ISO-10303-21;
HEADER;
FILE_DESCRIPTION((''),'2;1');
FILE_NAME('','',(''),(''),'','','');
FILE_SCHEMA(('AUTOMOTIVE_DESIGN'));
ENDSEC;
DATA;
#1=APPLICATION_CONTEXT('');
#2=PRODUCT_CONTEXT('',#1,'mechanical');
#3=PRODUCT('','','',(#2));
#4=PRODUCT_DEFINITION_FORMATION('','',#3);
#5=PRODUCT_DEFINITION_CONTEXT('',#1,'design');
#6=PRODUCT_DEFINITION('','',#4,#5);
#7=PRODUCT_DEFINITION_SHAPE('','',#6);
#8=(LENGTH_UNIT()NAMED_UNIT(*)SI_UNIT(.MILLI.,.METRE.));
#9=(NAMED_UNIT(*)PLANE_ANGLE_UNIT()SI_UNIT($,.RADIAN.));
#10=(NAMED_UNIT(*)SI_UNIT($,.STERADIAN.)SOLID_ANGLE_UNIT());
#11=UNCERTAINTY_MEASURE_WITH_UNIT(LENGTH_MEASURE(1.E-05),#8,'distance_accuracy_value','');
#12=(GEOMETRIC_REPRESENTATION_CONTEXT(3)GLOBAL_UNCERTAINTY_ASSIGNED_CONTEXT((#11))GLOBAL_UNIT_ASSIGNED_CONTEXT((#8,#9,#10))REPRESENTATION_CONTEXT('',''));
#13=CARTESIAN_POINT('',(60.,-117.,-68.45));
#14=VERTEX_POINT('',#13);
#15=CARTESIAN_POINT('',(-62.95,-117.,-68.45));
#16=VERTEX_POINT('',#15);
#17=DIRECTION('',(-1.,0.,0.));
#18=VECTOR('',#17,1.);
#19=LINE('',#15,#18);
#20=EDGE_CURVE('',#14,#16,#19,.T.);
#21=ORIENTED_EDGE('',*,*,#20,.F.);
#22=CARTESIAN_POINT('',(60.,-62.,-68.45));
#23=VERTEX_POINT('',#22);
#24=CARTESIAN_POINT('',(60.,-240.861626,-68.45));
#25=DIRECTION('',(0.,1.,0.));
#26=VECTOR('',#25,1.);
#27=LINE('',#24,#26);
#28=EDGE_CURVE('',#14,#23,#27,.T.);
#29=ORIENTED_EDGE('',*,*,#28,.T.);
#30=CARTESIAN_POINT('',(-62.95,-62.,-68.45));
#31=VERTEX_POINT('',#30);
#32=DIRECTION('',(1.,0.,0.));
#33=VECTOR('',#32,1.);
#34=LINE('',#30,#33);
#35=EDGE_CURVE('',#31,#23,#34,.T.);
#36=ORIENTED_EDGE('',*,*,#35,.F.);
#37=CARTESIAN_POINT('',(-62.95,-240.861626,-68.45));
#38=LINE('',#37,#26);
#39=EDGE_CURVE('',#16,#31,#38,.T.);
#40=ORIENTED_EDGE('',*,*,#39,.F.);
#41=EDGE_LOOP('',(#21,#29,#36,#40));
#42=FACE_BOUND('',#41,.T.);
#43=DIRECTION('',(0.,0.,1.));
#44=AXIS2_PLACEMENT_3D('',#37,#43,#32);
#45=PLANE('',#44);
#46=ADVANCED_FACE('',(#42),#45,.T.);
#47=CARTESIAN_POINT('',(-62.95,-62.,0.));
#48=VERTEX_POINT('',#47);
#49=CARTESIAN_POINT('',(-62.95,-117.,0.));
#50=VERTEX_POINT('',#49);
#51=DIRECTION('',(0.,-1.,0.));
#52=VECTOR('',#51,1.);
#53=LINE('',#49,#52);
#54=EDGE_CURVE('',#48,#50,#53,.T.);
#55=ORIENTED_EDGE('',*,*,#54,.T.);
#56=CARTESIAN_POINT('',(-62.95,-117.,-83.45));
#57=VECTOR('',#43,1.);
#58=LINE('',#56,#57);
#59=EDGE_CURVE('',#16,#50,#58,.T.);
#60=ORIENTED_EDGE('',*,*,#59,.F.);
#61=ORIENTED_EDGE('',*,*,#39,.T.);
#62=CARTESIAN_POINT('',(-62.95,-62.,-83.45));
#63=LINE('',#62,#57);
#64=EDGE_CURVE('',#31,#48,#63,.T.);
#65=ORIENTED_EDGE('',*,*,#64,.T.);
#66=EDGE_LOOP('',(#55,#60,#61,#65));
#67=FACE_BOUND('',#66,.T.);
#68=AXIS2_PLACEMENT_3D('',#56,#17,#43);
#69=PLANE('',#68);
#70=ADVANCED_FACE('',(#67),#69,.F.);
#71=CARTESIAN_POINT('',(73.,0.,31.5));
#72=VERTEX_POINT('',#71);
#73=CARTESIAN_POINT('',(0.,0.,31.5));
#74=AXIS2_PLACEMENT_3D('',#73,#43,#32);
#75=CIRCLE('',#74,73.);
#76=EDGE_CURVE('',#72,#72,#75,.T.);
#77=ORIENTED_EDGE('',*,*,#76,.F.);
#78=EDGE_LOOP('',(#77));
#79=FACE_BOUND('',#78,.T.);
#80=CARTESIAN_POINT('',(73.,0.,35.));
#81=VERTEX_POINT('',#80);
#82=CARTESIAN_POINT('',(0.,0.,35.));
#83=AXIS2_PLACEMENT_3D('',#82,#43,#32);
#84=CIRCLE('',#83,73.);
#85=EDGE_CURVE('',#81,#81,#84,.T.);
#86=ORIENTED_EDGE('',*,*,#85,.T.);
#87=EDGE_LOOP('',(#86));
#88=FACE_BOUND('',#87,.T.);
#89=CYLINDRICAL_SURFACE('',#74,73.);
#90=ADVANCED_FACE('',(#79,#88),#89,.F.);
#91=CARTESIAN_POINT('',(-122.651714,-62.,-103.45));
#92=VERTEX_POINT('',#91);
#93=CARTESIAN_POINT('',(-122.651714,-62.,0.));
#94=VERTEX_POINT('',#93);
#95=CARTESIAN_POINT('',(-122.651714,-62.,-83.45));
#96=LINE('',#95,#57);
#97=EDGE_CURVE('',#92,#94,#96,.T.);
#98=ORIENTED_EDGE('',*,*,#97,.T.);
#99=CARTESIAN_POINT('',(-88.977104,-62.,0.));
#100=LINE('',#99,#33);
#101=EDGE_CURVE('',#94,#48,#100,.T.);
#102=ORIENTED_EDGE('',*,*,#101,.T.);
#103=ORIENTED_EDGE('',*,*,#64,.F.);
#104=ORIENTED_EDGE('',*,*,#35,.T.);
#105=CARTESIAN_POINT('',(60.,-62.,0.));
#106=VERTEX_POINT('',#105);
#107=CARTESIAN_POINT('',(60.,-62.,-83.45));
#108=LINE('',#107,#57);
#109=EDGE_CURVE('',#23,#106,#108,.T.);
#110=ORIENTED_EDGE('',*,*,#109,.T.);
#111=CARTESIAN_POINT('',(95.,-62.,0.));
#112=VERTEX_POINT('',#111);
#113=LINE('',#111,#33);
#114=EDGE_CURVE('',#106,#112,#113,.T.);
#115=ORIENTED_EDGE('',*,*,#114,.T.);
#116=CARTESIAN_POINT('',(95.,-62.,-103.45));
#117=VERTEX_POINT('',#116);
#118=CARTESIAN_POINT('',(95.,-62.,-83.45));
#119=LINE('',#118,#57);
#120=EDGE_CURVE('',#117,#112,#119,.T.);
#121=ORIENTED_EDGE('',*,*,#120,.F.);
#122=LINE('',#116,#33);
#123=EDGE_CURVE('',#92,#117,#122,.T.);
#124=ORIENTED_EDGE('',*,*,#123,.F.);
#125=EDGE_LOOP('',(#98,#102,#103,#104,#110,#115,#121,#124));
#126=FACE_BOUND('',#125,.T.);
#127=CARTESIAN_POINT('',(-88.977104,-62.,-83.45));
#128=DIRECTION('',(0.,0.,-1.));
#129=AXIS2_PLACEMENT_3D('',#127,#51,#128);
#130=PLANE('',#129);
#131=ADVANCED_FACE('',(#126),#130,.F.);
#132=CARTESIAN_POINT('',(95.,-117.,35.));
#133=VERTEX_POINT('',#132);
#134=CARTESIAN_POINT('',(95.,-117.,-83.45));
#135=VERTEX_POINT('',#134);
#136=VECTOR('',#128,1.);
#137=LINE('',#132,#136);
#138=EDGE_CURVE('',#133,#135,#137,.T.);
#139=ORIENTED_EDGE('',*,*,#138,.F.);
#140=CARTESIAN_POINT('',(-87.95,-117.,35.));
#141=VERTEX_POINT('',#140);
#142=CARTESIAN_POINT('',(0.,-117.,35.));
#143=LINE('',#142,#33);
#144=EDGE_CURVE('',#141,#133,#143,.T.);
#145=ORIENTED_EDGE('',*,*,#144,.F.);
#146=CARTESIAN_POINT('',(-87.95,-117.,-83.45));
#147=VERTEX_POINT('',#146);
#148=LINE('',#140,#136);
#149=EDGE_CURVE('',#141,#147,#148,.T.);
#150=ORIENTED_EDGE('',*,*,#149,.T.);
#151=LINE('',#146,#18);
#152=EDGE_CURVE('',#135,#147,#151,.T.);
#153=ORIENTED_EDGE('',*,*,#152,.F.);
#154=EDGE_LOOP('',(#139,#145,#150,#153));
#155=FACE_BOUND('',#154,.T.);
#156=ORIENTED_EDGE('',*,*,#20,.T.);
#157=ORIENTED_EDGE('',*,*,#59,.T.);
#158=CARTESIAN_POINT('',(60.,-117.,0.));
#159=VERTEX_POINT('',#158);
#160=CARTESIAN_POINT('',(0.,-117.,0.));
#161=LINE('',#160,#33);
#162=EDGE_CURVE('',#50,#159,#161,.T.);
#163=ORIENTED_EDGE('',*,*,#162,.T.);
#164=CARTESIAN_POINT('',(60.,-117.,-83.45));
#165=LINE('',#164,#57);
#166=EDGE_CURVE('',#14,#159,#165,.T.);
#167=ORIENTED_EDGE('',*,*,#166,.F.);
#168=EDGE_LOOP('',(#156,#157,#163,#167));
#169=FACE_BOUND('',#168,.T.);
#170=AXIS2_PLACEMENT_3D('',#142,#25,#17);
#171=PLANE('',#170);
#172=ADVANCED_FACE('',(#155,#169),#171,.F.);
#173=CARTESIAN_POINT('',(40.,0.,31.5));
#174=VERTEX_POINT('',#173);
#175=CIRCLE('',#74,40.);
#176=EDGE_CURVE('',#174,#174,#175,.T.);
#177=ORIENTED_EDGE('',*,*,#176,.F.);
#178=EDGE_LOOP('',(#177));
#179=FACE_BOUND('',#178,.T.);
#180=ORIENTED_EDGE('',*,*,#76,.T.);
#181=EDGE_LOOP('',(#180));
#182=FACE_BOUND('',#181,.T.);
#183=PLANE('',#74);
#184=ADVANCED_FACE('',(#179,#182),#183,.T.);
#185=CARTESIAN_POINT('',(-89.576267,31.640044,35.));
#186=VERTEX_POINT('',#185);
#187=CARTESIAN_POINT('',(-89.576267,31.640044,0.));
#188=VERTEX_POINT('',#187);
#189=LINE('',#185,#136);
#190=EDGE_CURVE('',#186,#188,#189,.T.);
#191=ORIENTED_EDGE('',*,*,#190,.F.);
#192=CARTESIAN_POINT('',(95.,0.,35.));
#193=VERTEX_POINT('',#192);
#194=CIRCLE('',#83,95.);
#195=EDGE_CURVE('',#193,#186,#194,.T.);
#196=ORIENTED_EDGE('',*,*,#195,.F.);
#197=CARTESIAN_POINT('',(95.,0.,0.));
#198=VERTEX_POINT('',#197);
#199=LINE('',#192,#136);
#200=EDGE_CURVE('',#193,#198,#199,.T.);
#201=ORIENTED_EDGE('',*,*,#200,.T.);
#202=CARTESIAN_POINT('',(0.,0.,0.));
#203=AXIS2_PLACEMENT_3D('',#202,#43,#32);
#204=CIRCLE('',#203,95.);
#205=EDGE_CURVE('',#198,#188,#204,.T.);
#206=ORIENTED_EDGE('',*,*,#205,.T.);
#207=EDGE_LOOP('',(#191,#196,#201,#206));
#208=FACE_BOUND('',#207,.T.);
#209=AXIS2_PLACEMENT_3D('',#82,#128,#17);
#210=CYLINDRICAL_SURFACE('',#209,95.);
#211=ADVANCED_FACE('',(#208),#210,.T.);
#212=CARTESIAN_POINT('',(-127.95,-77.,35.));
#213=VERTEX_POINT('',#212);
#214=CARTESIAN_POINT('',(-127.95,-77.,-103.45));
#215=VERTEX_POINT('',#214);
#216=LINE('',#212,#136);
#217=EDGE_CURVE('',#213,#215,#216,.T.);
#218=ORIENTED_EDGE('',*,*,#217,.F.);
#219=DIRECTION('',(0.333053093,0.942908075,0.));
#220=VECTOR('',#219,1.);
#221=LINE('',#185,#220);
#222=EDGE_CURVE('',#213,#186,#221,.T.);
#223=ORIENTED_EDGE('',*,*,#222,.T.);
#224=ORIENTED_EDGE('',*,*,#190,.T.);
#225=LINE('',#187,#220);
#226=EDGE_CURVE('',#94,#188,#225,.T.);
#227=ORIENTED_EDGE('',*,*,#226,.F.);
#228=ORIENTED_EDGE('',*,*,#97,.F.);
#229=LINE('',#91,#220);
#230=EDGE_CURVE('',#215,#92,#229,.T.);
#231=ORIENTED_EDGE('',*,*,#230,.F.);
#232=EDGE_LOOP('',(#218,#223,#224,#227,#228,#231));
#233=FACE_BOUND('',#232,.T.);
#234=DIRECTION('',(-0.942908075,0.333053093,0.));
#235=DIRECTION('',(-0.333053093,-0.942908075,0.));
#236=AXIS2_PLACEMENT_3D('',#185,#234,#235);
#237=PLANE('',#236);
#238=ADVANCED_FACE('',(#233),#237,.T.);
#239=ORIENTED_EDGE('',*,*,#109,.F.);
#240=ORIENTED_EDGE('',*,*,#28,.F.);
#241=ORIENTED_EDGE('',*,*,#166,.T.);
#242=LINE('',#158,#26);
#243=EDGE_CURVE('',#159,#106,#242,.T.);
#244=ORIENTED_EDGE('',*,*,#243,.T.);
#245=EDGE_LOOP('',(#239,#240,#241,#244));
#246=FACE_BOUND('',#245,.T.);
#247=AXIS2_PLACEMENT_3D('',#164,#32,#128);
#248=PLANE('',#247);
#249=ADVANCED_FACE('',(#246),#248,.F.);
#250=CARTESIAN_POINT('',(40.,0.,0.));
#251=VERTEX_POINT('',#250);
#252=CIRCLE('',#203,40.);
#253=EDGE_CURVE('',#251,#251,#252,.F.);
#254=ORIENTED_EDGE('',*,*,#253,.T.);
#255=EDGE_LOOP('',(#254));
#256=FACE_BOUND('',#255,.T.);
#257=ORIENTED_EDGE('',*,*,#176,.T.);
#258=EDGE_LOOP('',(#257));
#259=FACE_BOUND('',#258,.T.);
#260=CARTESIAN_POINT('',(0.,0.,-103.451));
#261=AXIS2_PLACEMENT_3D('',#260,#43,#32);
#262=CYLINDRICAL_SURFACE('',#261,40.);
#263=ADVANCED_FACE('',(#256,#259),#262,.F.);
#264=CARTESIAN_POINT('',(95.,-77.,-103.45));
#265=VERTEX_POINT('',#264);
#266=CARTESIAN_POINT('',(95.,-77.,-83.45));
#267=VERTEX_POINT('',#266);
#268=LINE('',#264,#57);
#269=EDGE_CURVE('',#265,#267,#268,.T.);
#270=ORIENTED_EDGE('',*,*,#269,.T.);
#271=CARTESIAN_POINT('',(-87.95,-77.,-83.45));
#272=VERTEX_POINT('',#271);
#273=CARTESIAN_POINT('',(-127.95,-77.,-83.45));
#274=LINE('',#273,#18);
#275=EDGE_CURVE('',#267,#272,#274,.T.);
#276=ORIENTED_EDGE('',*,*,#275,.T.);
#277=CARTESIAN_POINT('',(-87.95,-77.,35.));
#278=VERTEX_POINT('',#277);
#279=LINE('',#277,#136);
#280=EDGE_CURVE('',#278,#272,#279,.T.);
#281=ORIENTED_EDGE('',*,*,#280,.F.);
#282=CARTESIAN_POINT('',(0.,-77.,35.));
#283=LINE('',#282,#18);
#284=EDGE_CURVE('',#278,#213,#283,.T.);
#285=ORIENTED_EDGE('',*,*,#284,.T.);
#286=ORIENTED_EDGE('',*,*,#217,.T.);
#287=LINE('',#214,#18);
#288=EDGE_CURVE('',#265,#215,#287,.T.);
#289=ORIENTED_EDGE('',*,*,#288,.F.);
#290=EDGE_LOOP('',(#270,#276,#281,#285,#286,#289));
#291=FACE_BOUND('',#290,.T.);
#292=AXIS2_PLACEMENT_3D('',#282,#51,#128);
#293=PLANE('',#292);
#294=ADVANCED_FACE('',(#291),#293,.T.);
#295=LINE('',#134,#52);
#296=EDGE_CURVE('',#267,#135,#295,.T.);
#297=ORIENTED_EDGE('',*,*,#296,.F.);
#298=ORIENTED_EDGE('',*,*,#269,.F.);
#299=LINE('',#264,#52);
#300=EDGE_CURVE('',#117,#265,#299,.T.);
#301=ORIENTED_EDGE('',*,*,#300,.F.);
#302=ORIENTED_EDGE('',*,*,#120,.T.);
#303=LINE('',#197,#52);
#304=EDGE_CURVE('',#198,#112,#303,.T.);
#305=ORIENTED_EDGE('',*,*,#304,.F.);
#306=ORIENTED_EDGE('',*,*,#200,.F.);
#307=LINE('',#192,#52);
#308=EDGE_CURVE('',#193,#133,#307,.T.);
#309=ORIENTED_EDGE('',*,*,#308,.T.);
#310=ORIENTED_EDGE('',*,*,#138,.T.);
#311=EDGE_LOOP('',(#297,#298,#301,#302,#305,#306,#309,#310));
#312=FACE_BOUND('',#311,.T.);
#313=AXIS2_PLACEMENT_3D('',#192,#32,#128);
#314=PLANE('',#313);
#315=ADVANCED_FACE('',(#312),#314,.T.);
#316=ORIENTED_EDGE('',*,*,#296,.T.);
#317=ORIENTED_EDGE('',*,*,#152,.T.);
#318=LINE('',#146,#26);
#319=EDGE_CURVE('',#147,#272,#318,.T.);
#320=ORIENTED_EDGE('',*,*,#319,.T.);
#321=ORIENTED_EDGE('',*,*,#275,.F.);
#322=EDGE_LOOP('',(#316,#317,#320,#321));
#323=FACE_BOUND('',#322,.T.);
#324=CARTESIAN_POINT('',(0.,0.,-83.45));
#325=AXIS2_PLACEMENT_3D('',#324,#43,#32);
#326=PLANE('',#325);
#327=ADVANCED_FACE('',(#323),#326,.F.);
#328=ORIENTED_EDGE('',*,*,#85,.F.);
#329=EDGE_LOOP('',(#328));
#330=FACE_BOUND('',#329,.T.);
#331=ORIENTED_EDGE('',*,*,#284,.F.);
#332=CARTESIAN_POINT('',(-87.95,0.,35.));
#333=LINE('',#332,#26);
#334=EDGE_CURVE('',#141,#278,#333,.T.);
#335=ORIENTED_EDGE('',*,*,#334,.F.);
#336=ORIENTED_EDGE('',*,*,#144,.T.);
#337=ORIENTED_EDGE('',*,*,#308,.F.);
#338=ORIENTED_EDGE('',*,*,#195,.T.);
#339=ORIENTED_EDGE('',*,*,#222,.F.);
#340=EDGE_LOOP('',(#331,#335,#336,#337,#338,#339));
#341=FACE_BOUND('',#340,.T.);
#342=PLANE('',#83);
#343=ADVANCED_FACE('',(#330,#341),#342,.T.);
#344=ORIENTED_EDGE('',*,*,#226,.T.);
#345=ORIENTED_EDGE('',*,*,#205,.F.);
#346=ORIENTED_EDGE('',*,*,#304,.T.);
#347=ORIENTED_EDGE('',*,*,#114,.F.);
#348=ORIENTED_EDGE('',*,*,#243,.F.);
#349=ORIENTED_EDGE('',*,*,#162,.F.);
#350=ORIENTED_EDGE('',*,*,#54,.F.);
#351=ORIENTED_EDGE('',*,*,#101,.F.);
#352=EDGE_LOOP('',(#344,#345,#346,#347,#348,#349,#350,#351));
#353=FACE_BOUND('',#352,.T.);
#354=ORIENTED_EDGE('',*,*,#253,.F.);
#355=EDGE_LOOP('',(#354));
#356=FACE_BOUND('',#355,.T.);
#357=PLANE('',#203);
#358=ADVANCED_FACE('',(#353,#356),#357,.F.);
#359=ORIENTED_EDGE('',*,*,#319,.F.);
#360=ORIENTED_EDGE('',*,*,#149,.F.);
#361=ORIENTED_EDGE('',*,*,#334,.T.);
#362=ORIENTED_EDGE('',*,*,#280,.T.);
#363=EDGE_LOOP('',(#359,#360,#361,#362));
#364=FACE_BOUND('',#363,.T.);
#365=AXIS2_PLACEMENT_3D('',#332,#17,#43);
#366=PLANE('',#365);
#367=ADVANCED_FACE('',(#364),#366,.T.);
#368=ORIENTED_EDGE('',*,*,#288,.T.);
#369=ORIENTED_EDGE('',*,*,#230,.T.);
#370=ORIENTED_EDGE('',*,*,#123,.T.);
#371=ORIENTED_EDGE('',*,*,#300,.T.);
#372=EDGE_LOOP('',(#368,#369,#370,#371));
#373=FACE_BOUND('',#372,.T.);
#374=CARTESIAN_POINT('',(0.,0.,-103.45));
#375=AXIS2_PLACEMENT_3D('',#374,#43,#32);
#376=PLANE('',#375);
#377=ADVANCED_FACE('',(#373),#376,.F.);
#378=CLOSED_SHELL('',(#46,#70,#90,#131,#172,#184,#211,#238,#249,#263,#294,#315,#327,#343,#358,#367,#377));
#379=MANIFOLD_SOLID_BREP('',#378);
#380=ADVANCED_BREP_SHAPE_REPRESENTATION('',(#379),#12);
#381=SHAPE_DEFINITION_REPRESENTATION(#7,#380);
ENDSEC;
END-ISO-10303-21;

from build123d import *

# Parameters (mm, degrees)
BOSS_EXTRUDE1_DEPTH = 35
SKETCH2_W           = 35
SKETCH2_H           = 55
BOSS_EXTRUDE2_DEPTH = 83.45
BOSS_EXTRUDE3_DEPTH = 20
SKETCH4_W           = 122.95
SKETCH4_H           = 15
BOSS_EXTRUDE4_DEPTH = 55
SKETCH5_R           = 73
CUT_EXTRUDE1_DEPTH  = 3.5
CUT_EXTRUDE2_REACH  = 221.708
SKETCH6_R           = 40


with BuildPart() as part:
    # Sketch1 → Boss-Extrude1 (new body)
    with BuildSketch(Plane.XY):
        with BuildLine():
            Line((-95, -77), (-87.95, -77))
            Line((-87.95, -77), (-87.95, -95))
            Line((-87.95, -95), (-87.95, -117))
            Line((-87.95, -117), (95, -117))
            Line((95, -117), (95, -95))
            Line((95, -95), (95, 0))
            ThreePointArc((95, 0), (16.050772972, 93.63424954), (-89.576267094, 31.640043828))
            Line((-89.576267094, 31.640043828), (-127.95, -77))
            Line((-127.95, -77), (-95, -77))
        make_face()
    extrude(amount=BOSS_EXTRUDE1_DEPTH)

    # Sketch2 → Boss-Extrude2 (add)
    with BuildSketch(Plane(origin=(0, 0, 0), x_dir=(-1, 0, 0), z_dir=(0, 0, -1))):
        Polygon((127.95, -77), (122.651714273, -62), (88.977103652, -62), (62.95, -62), (62.95, -117), (87.95, -117), (87.95, -77), align=None)
        with Locations((-77.5, -89.5)):
            Rectangle(SKETCH2_W, SKETCH2_H)
    extrude(amount=BOSS_EXTRUDE2_DEPTH)

    # Sketch3 → Boss-Extrude3 (add)
    with BuildSketch(Plane(origin=(0, 0, -83.45), x_dir=(-1, 0, 0), z_dir=(0, 0, -1))):
        Polygon((127.95, -77), (-95, -77), (-95, -62), (122.651714273, -62), align=None)
    extrude(amount=BOSS_EXTRUDE3_DEPTH)

    # Sketch4 → Boss-Extrude4 (add)
    with BuildSketch(Plane(origin=(0, -62, 0), x_dir=(1, 0, 0), z_dir=(0, 1, 0))):
        with Locations((-1.475, 75.95)):
            Rectangle(SKETCH4_W, SKETCH4_H)
    extrude(amount=-BOSS_EXTRUDE4_DEPTH)

    # Sketch5 → Cut-Extrude1 (cut)
    with BuildSketch(Plane.XY.offset(35)):
        Circle(SKETCH5_R)
    extrude(amount=-CUT_EXTRUDE1_DEPTH, mode=Mode.SUBTRACT)

    # Sketch6 → Cut-Extrude2 (cut, up to next)
    with BuildSketch(Plane.XY.offset(31.5), mode=Mode.PRIVATE) as cut_extrude2_sk1:
        Circle(SKETCH6_R)
    cut_extrude2_tool1 = extrude(cut_extrude2_sk1.sketch, amount=-CUT_EXTRUDE2_REACH, mode=Mode.PRIVATE) & part.part
    add(cut_extrude2_tool1.solids().sort_by_distance((0, 0, 31.5))[0], mode=Mode.SUBTRACT)


solid = part.part
